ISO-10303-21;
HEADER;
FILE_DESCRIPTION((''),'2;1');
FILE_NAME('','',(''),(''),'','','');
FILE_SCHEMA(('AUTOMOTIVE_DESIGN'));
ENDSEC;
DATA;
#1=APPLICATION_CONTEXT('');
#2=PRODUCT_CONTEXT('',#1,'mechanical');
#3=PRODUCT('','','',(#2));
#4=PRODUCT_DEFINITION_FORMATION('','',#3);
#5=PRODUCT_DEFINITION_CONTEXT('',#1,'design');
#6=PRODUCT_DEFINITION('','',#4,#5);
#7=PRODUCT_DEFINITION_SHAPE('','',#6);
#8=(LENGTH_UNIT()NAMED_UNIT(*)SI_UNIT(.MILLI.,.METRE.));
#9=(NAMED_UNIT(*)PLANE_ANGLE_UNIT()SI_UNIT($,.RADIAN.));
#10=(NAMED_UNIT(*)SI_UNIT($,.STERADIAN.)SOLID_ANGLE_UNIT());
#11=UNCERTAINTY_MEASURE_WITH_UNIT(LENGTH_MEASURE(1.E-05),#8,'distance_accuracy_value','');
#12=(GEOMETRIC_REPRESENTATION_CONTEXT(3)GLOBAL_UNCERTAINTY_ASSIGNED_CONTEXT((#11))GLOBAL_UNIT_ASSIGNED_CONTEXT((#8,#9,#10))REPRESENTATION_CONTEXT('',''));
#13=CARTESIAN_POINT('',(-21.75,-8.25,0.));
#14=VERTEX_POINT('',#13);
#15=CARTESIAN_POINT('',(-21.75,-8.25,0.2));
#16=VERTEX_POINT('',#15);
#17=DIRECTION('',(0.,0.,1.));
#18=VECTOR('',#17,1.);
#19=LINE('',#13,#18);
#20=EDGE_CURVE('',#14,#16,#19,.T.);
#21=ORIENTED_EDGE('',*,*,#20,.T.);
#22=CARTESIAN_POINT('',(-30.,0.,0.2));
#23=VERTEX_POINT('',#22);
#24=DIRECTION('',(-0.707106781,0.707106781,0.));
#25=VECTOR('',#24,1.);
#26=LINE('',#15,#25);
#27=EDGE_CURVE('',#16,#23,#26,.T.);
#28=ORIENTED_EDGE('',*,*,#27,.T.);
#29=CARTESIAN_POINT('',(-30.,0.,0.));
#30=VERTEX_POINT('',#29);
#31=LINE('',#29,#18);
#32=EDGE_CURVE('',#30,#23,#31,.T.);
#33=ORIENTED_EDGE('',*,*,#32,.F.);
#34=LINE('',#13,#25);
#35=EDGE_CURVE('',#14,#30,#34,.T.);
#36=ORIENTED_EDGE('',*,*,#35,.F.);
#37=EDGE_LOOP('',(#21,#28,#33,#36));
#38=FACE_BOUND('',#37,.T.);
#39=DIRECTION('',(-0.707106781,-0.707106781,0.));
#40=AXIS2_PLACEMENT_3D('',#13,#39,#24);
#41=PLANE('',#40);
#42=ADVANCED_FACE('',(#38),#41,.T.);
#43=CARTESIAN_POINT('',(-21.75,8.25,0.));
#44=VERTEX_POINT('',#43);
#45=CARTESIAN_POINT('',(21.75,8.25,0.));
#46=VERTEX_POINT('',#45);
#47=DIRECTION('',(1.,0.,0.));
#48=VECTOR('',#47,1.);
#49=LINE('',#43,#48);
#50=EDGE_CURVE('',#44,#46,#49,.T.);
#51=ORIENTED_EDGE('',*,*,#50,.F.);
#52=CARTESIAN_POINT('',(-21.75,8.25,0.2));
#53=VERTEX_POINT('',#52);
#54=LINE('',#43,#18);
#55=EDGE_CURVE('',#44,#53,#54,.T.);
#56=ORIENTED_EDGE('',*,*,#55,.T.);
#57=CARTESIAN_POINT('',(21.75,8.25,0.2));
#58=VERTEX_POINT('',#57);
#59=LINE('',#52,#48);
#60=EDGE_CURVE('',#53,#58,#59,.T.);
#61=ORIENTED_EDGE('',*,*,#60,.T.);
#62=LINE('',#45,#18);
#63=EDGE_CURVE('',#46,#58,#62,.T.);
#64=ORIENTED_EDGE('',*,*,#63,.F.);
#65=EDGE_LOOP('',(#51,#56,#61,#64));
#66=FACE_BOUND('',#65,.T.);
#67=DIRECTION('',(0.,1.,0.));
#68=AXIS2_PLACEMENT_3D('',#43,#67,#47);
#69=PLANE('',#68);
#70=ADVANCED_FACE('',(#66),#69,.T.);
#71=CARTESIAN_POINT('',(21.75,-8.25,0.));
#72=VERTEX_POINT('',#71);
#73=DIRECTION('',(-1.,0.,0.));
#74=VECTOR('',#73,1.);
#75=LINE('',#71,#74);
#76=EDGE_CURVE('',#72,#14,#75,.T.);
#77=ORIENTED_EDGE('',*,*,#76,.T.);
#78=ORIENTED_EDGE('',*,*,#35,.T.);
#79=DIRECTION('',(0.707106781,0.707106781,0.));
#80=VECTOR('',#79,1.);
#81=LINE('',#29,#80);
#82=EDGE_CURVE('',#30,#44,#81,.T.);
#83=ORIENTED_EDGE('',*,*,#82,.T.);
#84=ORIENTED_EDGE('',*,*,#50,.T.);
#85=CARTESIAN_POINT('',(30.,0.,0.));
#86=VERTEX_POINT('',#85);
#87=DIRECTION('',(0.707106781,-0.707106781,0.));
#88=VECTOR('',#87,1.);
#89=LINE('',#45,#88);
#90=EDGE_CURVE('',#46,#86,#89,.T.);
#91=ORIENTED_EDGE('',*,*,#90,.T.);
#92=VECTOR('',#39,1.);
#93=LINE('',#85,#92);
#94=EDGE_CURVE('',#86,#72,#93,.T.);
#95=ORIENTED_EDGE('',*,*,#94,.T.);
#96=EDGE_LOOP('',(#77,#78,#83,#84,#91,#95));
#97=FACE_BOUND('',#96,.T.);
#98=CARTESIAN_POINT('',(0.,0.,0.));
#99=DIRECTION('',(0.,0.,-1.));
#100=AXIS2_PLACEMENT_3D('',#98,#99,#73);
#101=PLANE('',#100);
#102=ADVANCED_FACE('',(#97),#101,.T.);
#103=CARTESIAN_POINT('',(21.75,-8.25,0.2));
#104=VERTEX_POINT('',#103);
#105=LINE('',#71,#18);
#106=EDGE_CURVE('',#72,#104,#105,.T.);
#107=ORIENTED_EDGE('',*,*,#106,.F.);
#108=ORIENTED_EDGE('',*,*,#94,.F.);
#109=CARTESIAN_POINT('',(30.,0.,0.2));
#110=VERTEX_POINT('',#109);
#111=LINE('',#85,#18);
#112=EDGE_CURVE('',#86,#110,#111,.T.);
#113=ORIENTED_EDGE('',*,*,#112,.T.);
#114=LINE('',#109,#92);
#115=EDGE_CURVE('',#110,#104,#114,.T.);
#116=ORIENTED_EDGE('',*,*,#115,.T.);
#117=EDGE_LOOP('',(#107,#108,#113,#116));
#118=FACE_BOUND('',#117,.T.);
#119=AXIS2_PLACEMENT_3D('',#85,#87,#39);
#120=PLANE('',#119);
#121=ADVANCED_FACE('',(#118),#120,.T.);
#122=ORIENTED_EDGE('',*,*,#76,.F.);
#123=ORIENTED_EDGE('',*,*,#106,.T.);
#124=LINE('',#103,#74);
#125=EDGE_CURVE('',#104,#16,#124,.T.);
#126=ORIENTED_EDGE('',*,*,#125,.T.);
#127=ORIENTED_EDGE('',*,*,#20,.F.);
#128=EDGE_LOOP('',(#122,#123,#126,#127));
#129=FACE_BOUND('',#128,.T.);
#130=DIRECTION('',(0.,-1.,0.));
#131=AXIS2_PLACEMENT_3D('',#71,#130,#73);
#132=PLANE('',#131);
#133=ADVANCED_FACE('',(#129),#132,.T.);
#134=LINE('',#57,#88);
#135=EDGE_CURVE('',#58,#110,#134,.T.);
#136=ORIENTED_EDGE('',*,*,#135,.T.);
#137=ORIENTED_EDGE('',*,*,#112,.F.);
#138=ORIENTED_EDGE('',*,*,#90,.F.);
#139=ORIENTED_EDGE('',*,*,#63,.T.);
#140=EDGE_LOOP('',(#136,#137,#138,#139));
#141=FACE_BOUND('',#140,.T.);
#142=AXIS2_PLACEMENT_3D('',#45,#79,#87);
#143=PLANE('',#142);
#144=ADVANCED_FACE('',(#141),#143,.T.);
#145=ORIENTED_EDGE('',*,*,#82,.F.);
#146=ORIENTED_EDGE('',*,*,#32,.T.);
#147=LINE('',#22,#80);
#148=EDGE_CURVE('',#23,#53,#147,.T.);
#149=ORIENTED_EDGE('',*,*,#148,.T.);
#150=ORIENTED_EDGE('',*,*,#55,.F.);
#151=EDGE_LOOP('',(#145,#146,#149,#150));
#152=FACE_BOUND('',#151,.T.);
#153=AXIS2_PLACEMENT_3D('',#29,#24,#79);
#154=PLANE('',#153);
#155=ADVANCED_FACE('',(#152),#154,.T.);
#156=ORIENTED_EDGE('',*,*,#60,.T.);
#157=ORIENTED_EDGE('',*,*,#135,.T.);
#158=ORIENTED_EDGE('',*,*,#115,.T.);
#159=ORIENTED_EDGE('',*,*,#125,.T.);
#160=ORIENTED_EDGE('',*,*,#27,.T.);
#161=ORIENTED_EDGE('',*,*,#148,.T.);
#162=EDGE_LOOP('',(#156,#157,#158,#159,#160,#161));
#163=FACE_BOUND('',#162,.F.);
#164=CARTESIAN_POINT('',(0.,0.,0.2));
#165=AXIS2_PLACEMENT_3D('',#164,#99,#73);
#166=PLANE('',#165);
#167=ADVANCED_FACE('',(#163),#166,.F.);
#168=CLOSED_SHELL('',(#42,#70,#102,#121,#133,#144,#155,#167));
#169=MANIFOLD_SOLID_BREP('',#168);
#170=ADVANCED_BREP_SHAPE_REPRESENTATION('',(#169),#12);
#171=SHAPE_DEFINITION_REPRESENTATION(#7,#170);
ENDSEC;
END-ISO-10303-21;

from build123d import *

# Parameters (mm, degrees)
PAD_DEPTH = 0.2


with BuildPart() as part:
    # Sketch → Pad (new body)
    with BuildSketch(Plane.XY):
        Polygon((-21.75, 8.25), (21.75, 8.25), (30, 0), (21.75, -8.25), (-21.75, -8.25), (-30, 0), align=None)
    extrude(amount=PAD_DEPTH)


solid = part.part
